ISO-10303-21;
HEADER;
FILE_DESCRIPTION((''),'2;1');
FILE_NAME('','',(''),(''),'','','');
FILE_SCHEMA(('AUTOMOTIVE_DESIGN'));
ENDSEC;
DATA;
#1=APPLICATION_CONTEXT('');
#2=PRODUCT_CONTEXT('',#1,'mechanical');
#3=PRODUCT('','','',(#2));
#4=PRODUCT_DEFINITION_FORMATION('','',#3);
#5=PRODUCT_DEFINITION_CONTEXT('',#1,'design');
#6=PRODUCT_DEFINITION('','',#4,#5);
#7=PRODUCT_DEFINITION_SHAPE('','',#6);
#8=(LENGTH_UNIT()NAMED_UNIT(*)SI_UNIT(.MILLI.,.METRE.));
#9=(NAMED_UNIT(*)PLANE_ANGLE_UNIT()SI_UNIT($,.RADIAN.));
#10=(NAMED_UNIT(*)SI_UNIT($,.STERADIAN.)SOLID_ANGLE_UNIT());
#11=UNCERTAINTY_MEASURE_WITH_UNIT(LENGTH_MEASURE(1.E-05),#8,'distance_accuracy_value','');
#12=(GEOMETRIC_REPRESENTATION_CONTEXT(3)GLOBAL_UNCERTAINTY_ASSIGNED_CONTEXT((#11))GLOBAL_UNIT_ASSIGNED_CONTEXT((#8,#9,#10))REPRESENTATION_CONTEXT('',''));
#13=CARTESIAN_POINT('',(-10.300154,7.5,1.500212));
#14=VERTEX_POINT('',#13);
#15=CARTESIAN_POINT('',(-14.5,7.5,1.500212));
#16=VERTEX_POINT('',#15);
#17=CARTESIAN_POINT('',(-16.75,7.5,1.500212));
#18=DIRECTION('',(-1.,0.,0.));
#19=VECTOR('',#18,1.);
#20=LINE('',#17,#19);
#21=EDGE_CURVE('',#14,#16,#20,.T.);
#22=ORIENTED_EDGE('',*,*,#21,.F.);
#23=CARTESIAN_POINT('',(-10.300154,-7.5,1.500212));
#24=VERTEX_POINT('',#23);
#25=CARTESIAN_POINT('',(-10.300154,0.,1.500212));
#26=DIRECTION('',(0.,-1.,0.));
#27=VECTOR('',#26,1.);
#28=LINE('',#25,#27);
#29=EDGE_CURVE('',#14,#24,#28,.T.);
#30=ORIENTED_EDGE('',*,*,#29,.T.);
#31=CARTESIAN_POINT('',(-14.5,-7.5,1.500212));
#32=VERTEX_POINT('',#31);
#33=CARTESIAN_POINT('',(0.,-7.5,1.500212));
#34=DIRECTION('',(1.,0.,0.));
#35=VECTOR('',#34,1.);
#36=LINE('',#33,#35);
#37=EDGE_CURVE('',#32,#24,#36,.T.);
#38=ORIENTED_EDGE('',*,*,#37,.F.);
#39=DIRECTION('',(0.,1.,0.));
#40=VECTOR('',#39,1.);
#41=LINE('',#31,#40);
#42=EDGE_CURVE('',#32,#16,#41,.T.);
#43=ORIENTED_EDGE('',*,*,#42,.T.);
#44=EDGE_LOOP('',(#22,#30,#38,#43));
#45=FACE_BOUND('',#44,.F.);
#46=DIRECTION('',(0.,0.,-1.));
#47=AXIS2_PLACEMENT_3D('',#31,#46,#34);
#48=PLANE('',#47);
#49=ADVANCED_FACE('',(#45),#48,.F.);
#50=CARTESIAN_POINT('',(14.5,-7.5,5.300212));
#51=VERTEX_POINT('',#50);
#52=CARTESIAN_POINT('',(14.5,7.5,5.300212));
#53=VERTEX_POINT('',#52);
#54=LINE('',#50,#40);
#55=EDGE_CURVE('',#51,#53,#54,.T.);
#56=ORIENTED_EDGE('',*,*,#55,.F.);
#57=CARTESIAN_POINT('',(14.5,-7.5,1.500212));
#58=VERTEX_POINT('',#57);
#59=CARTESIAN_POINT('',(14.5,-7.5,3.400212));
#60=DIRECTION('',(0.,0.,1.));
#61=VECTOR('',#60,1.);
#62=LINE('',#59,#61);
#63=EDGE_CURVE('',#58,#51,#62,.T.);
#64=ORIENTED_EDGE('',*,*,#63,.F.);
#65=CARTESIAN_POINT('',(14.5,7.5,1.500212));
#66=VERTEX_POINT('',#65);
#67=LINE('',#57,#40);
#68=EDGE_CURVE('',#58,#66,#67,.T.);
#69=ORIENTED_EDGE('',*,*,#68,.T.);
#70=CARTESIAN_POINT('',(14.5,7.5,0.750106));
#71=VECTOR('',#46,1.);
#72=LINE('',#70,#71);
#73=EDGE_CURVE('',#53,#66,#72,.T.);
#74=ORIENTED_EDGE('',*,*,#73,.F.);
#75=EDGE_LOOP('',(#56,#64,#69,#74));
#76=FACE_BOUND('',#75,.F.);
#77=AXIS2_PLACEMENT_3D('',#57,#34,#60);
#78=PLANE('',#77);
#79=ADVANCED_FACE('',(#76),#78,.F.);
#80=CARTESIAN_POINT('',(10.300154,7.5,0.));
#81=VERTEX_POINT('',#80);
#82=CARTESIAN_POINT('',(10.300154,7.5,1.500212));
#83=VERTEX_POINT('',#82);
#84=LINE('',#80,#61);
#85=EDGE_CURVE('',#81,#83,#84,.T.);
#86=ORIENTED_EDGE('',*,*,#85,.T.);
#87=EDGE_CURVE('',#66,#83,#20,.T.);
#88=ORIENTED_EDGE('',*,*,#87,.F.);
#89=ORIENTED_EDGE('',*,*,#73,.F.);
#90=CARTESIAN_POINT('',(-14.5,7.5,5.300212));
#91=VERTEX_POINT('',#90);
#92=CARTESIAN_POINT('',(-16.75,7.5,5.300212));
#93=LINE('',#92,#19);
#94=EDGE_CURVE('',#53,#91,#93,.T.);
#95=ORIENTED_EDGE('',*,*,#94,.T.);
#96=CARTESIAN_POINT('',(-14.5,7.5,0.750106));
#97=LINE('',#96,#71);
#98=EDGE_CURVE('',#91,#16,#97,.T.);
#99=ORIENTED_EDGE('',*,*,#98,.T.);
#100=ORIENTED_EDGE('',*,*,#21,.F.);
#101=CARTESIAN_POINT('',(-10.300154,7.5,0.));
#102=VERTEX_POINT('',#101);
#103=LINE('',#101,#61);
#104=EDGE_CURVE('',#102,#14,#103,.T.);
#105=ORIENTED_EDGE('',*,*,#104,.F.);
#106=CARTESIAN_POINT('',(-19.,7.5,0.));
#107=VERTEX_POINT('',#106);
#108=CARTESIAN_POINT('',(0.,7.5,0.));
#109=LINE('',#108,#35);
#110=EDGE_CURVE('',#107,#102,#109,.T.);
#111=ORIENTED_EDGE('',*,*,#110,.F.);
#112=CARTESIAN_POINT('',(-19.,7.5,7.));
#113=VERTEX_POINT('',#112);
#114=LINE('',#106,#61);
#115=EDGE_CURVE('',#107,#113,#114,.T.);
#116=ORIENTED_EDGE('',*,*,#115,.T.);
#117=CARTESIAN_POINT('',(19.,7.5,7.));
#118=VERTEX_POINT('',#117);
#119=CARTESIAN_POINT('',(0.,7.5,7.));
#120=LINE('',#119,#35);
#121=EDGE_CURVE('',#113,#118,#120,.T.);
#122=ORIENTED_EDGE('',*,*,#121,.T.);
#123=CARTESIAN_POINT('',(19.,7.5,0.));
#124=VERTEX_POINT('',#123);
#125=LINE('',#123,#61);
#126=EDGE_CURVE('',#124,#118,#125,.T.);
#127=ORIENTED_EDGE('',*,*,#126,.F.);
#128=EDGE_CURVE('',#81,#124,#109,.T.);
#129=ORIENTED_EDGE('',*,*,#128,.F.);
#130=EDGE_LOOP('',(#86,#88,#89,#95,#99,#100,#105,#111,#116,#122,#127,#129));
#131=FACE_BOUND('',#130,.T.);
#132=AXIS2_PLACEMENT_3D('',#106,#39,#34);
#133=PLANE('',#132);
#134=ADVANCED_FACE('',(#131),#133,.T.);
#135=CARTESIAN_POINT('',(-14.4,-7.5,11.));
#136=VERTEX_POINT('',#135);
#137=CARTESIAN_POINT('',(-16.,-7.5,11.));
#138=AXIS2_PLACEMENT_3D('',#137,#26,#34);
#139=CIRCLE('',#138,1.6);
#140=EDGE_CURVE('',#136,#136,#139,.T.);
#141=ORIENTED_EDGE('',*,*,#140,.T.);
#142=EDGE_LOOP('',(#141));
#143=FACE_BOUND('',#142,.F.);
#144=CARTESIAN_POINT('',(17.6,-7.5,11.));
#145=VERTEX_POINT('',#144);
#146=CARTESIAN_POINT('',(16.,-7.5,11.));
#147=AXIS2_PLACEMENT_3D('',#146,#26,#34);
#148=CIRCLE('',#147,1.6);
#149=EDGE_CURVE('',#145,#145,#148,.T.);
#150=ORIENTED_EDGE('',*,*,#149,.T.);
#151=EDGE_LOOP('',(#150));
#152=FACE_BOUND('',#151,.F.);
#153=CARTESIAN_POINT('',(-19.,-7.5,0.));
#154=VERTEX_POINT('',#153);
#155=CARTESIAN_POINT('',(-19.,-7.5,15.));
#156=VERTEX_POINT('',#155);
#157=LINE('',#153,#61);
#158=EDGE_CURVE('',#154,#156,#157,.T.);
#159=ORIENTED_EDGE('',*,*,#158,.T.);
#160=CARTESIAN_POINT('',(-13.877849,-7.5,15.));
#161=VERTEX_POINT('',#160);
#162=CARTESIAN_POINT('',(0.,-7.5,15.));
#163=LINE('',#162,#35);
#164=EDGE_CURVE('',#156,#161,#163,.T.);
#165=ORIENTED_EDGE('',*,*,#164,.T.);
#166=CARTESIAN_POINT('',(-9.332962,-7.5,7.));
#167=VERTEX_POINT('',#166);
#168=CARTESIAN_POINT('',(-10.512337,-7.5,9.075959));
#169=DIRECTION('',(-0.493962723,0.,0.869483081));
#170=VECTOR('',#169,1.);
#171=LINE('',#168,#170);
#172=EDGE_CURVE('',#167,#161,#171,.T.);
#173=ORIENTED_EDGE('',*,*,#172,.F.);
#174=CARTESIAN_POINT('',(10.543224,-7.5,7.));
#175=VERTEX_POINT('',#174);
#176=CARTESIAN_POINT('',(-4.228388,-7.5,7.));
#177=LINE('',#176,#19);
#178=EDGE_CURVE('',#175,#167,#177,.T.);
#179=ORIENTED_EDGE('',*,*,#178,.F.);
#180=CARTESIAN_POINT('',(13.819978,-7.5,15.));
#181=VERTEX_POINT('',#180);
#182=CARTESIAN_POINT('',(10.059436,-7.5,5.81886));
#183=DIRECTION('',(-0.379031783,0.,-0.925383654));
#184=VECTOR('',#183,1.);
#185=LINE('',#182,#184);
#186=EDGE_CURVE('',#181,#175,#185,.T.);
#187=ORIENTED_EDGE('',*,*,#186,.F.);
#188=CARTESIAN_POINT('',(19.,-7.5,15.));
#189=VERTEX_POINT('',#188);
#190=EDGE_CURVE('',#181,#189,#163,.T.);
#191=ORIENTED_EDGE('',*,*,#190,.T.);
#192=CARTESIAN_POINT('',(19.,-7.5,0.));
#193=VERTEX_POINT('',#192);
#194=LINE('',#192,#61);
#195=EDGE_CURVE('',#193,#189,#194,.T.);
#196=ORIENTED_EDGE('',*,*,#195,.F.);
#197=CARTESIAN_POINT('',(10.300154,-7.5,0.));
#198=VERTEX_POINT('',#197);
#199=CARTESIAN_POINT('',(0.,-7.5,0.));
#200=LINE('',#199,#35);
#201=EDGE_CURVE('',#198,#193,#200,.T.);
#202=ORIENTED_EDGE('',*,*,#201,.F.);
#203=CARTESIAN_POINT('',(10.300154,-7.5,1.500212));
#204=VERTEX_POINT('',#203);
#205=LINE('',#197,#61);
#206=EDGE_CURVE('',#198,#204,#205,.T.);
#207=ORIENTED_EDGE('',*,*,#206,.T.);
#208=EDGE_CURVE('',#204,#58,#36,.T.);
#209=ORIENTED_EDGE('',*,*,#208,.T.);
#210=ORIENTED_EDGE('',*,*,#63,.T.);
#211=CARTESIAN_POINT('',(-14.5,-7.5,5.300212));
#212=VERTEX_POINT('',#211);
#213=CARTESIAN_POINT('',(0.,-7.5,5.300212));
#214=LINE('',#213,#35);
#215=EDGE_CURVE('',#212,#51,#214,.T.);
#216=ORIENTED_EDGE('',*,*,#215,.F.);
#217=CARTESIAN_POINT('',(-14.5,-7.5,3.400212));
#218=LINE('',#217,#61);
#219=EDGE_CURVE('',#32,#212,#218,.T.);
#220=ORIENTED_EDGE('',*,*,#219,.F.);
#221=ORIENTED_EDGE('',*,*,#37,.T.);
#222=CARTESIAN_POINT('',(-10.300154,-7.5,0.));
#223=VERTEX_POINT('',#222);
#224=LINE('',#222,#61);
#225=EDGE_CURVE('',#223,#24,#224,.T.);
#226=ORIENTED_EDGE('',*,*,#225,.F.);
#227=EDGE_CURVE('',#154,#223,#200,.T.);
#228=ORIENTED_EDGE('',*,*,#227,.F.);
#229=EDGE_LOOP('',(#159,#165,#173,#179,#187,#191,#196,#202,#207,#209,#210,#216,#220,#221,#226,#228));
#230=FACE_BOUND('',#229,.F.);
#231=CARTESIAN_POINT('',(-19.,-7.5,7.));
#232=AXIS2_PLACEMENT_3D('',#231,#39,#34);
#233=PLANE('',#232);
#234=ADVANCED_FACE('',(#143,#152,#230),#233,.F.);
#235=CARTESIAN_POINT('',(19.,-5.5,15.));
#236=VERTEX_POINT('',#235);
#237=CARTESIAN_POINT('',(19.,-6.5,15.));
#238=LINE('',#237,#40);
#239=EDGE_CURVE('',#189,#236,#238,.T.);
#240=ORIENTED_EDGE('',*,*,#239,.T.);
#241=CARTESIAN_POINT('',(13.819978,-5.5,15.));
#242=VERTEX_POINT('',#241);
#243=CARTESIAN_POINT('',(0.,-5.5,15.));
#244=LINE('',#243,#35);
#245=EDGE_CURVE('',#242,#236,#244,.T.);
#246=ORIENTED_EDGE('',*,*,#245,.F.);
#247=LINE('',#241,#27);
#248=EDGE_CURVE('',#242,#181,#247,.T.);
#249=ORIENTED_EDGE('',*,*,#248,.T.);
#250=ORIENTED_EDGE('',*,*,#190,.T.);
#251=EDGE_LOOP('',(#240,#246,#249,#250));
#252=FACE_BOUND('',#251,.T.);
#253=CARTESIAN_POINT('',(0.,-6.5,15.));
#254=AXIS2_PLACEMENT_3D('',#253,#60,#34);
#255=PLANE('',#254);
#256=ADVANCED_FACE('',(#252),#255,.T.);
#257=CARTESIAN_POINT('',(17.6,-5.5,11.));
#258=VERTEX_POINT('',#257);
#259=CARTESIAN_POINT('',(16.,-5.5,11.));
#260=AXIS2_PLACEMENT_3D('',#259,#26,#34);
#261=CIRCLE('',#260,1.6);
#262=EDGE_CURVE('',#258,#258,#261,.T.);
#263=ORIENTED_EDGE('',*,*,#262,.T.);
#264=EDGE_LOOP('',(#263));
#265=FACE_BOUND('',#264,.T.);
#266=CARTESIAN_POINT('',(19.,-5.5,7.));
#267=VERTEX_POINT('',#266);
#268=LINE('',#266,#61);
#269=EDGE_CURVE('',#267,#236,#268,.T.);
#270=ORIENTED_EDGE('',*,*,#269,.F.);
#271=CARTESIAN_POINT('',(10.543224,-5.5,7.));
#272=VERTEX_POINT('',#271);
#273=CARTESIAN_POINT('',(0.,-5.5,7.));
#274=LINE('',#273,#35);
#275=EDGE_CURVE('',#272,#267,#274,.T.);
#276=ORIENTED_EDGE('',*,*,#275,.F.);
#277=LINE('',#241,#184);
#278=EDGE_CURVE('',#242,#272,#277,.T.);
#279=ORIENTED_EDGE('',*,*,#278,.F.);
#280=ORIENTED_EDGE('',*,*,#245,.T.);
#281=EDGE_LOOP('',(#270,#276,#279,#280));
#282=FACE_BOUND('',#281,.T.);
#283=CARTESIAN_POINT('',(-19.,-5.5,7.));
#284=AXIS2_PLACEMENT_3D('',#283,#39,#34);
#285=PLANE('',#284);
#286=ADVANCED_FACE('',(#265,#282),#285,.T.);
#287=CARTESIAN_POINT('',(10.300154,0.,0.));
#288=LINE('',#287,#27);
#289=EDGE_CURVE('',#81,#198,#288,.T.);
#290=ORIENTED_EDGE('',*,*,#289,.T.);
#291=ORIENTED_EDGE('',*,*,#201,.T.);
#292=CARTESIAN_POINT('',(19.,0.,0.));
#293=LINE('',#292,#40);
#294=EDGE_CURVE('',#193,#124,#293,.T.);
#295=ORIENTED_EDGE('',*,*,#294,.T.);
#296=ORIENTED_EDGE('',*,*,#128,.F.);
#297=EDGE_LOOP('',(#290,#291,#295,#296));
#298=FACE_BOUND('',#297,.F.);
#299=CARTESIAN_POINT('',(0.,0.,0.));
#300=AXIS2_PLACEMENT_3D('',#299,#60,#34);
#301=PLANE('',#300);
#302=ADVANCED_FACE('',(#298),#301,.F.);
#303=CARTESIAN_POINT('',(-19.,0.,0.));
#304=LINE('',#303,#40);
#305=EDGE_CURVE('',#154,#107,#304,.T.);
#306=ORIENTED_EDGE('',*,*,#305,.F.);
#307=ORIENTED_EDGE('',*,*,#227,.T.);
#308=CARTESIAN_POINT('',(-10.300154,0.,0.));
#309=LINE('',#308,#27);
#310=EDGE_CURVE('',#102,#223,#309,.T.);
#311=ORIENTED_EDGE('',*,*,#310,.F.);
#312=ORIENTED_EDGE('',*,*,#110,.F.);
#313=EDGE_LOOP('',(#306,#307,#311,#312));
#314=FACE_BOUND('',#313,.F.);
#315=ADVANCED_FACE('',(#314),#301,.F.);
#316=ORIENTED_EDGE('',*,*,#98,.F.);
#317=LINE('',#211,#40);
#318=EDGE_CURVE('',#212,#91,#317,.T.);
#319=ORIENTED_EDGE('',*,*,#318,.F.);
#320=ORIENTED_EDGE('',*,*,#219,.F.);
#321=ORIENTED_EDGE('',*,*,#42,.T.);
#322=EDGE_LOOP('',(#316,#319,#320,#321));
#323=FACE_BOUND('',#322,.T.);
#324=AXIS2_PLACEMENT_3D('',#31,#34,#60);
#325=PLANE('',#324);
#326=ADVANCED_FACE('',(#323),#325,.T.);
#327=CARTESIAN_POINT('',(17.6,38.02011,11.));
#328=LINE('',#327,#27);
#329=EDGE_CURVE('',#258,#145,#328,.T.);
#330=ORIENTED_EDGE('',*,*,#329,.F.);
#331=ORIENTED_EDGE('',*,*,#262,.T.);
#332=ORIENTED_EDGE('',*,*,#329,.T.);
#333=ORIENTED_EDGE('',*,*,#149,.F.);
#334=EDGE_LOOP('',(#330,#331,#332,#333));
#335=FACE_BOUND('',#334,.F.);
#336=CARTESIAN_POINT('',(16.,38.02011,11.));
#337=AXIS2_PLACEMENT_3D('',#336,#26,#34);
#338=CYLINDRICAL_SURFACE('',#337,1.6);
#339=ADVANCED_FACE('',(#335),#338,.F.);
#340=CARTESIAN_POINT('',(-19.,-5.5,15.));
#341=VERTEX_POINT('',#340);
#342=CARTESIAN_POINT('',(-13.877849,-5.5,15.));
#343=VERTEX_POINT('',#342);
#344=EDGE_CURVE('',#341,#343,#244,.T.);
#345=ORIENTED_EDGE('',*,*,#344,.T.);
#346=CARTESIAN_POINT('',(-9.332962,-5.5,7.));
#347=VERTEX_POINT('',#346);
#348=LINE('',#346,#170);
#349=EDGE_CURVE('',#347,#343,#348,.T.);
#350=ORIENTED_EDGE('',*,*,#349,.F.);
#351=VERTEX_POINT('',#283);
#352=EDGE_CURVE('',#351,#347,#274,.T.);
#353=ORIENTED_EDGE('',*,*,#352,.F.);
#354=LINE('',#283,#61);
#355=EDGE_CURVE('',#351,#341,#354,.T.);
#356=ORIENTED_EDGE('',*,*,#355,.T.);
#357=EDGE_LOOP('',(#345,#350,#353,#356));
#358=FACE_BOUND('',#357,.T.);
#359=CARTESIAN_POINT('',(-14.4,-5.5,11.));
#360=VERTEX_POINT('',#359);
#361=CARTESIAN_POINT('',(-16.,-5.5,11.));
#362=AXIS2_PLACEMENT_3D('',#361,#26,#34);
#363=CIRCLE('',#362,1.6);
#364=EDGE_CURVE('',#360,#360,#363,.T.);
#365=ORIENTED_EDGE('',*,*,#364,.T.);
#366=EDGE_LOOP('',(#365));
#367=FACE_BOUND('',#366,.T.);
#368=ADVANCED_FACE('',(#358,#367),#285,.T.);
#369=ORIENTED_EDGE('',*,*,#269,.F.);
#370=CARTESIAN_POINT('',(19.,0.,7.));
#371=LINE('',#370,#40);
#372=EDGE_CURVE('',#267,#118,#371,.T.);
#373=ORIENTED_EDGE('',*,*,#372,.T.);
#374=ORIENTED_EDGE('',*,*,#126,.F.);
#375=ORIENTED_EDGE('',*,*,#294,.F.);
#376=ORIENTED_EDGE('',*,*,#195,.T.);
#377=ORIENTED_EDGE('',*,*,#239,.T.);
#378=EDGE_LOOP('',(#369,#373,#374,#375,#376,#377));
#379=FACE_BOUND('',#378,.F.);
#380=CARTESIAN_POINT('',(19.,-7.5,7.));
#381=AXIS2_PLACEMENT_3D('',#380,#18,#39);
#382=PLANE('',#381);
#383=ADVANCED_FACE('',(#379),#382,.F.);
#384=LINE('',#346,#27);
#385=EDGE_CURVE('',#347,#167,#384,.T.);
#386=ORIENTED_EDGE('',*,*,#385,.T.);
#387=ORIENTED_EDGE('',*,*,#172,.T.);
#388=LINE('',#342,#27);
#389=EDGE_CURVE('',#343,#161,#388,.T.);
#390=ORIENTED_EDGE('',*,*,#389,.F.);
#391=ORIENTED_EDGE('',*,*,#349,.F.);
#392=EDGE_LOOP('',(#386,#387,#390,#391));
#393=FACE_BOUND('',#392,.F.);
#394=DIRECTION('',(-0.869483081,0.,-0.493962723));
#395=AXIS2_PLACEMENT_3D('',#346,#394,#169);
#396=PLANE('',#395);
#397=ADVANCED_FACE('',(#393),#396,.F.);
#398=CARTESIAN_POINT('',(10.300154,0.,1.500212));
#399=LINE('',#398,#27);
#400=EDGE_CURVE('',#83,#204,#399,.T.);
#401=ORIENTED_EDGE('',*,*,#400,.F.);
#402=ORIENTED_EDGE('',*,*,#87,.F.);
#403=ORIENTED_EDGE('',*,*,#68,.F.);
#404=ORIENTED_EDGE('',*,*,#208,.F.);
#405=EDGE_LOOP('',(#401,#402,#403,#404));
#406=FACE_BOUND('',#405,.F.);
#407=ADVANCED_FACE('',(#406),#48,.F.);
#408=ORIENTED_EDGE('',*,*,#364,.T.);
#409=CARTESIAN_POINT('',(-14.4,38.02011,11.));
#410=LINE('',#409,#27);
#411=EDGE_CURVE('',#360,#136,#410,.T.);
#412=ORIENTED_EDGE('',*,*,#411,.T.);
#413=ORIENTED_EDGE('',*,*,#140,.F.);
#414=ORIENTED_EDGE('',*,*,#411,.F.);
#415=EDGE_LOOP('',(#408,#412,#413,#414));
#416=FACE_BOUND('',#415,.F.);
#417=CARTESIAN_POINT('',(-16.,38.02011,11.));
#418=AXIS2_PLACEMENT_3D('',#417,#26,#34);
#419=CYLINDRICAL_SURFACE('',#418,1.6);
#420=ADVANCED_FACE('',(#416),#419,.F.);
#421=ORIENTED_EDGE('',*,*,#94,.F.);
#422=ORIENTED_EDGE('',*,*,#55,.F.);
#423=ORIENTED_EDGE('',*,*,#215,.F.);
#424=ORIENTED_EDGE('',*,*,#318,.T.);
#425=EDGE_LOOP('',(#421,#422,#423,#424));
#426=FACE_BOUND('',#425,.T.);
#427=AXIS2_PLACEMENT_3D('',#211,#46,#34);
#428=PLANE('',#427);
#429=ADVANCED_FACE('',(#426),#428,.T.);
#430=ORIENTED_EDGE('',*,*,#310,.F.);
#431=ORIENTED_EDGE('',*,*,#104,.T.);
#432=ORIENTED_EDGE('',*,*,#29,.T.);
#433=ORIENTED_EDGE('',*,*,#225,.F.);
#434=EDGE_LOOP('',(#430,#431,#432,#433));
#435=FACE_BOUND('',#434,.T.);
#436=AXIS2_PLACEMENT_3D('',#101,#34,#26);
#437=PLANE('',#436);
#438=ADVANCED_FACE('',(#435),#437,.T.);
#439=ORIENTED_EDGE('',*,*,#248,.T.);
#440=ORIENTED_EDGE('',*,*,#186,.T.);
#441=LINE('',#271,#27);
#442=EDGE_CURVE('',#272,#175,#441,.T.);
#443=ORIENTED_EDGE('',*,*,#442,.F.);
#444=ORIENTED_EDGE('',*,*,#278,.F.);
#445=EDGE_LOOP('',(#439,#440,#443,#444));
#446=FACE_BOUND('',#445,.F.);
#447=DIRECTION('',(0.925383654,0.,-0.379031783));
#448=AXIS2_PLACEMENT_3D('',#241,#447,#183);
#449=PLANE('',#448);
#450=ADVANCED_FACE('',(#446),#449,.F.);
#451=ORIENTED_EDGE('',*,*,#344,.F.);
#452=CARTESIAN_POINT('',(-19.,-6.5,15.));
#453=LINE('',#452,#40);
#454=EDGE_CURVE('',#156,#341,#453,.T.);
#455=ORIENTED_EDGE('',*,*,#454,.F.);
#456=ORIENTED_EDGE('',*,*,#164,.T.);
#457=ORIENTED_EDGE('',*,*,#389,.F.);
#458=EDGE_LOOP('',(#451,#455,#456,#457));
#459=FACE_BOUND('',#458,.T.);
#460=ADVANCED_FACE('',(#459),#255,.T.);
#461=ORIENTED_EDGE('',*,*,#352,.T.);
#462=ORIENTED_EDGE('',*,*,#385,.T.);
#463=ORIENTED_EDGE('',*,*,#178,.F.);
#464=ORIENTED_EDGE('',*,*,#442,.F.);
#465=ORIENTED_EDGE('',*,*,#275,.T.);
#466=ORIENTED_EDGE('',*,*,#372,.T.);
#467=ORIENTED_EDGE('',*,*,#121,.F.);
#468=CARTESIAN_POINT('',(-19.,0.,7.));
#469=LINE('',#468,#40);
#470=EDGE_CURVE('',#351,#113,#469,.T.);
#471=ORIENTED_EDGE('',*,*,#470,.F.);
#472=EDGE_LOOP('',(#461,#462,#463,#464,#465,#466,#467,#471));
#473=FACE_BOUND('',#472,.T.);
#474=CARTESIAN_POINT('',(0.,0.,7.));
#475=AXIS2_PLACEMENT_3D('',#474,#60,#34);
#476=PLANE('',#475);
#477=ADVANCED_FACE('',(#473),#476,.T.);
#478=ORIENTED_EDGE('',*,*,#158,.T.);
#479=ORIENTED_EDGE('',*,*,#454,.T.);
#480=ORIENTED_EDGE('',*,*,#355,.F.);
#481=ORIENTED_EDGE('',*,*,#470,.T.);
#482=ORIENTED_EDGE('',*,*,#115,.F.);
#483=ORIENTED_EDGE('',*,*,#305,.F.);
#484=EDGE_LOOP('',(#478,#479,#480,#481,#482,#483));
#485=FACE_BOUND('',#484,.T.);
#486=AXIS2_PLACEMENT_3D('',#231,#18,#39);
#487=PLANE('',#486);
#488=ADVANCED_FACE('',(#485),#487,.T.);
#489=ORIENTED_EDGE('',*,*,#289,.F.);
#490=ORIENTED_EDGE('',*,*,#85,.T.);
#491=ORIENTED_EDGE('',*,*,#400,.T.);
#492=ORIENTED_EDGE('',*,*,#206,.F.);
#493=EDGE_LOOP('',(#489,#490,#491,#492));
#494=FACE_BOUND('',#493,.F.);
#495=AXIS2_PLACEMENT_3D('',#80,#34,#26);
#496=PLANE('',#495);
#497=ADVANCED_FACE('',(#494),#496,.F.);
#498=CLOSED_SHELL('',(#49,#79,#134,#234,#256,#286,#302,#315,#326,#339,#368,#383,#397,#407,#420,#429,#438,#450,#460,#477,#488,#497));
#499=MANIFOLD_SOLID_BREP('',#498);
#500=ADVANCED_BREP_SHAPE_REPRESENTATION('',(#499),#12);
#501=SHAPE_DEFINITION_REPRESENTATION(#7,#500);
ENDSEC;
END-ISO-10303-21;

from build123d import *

# Parameters (mm, degrees)
F0_W      = 38
F0_H      = 15
F1_DEPTH  = 7
F2_W      = 29
F2_H      = 3.8
F3_DEPTH  = 30
F5_W      = 20.6003077328
F5_H      = 15
F6_DEPTH  = 5
F4_W      = 38
F4_H      = 2
F7_DEPTH  = 8
F9_D      = 3.2
F10_DEPTH = 25


with BuildPart() as f1:
    # F0 (on Top) → F1 (new body)
    with BuildSketch(Plane.XY):
        Rectangle(F0_W, F0_H)
    extrude(amount=F1_DEPTH)

    # F2 (on face) → F3 (cut)
    with BuildSketch(Plane.XZ.offset(7.5)):
        with Locations((0, 3.4002120374)):
            Rectangle(F2_W, F2_H)
    extrude(amount=-F3_DEPTH, mode=Mode.SUBTRACT)

    # F5 (on face) → F6 (cut)
    with BuildSketch(Plane(origin=(0, 0, 0), x_dir=(1, 0, 0), z_dir=(0, 0, -1))):
        Rectangle(F5_W, F5_H)
    extrude(amount=-F6_DEPTH, mode=Mode.SUBTRACT)

    # F4 (on face) → F7 (join)
    with BuildSketch(Plane.XY.offset(7)):
        with Locations((0, -6.5)):
            Rectangle(F4_W, F4_H)
    extrude(amount=F7_DEPTH)

    # F9 (through all)
    with Locations(Plane(origin=(0, -5.5, 0), x_dir=(-1, 0, 0), z_dir=(0, 1, 0))):
        with Locations((16, 11), (-16, 11)):
            Hole(F9_D / 2)

    # F8 (on face) → F10 (cut)
    with BuildSketch(Plane(origin=(0, -5.5, 0), x_dir=(-1, 0, 0), z_dir=(0, 1, 0))):
        Polygon((9.3329623342, 7), (13.877848681, 15), (-13.8199780472, 15), (-10.5432244018, 7), align=None)
    extrude(amount=-F10_DEPTH, mode=Mode.SUBTRACT)


solid = f1.part
